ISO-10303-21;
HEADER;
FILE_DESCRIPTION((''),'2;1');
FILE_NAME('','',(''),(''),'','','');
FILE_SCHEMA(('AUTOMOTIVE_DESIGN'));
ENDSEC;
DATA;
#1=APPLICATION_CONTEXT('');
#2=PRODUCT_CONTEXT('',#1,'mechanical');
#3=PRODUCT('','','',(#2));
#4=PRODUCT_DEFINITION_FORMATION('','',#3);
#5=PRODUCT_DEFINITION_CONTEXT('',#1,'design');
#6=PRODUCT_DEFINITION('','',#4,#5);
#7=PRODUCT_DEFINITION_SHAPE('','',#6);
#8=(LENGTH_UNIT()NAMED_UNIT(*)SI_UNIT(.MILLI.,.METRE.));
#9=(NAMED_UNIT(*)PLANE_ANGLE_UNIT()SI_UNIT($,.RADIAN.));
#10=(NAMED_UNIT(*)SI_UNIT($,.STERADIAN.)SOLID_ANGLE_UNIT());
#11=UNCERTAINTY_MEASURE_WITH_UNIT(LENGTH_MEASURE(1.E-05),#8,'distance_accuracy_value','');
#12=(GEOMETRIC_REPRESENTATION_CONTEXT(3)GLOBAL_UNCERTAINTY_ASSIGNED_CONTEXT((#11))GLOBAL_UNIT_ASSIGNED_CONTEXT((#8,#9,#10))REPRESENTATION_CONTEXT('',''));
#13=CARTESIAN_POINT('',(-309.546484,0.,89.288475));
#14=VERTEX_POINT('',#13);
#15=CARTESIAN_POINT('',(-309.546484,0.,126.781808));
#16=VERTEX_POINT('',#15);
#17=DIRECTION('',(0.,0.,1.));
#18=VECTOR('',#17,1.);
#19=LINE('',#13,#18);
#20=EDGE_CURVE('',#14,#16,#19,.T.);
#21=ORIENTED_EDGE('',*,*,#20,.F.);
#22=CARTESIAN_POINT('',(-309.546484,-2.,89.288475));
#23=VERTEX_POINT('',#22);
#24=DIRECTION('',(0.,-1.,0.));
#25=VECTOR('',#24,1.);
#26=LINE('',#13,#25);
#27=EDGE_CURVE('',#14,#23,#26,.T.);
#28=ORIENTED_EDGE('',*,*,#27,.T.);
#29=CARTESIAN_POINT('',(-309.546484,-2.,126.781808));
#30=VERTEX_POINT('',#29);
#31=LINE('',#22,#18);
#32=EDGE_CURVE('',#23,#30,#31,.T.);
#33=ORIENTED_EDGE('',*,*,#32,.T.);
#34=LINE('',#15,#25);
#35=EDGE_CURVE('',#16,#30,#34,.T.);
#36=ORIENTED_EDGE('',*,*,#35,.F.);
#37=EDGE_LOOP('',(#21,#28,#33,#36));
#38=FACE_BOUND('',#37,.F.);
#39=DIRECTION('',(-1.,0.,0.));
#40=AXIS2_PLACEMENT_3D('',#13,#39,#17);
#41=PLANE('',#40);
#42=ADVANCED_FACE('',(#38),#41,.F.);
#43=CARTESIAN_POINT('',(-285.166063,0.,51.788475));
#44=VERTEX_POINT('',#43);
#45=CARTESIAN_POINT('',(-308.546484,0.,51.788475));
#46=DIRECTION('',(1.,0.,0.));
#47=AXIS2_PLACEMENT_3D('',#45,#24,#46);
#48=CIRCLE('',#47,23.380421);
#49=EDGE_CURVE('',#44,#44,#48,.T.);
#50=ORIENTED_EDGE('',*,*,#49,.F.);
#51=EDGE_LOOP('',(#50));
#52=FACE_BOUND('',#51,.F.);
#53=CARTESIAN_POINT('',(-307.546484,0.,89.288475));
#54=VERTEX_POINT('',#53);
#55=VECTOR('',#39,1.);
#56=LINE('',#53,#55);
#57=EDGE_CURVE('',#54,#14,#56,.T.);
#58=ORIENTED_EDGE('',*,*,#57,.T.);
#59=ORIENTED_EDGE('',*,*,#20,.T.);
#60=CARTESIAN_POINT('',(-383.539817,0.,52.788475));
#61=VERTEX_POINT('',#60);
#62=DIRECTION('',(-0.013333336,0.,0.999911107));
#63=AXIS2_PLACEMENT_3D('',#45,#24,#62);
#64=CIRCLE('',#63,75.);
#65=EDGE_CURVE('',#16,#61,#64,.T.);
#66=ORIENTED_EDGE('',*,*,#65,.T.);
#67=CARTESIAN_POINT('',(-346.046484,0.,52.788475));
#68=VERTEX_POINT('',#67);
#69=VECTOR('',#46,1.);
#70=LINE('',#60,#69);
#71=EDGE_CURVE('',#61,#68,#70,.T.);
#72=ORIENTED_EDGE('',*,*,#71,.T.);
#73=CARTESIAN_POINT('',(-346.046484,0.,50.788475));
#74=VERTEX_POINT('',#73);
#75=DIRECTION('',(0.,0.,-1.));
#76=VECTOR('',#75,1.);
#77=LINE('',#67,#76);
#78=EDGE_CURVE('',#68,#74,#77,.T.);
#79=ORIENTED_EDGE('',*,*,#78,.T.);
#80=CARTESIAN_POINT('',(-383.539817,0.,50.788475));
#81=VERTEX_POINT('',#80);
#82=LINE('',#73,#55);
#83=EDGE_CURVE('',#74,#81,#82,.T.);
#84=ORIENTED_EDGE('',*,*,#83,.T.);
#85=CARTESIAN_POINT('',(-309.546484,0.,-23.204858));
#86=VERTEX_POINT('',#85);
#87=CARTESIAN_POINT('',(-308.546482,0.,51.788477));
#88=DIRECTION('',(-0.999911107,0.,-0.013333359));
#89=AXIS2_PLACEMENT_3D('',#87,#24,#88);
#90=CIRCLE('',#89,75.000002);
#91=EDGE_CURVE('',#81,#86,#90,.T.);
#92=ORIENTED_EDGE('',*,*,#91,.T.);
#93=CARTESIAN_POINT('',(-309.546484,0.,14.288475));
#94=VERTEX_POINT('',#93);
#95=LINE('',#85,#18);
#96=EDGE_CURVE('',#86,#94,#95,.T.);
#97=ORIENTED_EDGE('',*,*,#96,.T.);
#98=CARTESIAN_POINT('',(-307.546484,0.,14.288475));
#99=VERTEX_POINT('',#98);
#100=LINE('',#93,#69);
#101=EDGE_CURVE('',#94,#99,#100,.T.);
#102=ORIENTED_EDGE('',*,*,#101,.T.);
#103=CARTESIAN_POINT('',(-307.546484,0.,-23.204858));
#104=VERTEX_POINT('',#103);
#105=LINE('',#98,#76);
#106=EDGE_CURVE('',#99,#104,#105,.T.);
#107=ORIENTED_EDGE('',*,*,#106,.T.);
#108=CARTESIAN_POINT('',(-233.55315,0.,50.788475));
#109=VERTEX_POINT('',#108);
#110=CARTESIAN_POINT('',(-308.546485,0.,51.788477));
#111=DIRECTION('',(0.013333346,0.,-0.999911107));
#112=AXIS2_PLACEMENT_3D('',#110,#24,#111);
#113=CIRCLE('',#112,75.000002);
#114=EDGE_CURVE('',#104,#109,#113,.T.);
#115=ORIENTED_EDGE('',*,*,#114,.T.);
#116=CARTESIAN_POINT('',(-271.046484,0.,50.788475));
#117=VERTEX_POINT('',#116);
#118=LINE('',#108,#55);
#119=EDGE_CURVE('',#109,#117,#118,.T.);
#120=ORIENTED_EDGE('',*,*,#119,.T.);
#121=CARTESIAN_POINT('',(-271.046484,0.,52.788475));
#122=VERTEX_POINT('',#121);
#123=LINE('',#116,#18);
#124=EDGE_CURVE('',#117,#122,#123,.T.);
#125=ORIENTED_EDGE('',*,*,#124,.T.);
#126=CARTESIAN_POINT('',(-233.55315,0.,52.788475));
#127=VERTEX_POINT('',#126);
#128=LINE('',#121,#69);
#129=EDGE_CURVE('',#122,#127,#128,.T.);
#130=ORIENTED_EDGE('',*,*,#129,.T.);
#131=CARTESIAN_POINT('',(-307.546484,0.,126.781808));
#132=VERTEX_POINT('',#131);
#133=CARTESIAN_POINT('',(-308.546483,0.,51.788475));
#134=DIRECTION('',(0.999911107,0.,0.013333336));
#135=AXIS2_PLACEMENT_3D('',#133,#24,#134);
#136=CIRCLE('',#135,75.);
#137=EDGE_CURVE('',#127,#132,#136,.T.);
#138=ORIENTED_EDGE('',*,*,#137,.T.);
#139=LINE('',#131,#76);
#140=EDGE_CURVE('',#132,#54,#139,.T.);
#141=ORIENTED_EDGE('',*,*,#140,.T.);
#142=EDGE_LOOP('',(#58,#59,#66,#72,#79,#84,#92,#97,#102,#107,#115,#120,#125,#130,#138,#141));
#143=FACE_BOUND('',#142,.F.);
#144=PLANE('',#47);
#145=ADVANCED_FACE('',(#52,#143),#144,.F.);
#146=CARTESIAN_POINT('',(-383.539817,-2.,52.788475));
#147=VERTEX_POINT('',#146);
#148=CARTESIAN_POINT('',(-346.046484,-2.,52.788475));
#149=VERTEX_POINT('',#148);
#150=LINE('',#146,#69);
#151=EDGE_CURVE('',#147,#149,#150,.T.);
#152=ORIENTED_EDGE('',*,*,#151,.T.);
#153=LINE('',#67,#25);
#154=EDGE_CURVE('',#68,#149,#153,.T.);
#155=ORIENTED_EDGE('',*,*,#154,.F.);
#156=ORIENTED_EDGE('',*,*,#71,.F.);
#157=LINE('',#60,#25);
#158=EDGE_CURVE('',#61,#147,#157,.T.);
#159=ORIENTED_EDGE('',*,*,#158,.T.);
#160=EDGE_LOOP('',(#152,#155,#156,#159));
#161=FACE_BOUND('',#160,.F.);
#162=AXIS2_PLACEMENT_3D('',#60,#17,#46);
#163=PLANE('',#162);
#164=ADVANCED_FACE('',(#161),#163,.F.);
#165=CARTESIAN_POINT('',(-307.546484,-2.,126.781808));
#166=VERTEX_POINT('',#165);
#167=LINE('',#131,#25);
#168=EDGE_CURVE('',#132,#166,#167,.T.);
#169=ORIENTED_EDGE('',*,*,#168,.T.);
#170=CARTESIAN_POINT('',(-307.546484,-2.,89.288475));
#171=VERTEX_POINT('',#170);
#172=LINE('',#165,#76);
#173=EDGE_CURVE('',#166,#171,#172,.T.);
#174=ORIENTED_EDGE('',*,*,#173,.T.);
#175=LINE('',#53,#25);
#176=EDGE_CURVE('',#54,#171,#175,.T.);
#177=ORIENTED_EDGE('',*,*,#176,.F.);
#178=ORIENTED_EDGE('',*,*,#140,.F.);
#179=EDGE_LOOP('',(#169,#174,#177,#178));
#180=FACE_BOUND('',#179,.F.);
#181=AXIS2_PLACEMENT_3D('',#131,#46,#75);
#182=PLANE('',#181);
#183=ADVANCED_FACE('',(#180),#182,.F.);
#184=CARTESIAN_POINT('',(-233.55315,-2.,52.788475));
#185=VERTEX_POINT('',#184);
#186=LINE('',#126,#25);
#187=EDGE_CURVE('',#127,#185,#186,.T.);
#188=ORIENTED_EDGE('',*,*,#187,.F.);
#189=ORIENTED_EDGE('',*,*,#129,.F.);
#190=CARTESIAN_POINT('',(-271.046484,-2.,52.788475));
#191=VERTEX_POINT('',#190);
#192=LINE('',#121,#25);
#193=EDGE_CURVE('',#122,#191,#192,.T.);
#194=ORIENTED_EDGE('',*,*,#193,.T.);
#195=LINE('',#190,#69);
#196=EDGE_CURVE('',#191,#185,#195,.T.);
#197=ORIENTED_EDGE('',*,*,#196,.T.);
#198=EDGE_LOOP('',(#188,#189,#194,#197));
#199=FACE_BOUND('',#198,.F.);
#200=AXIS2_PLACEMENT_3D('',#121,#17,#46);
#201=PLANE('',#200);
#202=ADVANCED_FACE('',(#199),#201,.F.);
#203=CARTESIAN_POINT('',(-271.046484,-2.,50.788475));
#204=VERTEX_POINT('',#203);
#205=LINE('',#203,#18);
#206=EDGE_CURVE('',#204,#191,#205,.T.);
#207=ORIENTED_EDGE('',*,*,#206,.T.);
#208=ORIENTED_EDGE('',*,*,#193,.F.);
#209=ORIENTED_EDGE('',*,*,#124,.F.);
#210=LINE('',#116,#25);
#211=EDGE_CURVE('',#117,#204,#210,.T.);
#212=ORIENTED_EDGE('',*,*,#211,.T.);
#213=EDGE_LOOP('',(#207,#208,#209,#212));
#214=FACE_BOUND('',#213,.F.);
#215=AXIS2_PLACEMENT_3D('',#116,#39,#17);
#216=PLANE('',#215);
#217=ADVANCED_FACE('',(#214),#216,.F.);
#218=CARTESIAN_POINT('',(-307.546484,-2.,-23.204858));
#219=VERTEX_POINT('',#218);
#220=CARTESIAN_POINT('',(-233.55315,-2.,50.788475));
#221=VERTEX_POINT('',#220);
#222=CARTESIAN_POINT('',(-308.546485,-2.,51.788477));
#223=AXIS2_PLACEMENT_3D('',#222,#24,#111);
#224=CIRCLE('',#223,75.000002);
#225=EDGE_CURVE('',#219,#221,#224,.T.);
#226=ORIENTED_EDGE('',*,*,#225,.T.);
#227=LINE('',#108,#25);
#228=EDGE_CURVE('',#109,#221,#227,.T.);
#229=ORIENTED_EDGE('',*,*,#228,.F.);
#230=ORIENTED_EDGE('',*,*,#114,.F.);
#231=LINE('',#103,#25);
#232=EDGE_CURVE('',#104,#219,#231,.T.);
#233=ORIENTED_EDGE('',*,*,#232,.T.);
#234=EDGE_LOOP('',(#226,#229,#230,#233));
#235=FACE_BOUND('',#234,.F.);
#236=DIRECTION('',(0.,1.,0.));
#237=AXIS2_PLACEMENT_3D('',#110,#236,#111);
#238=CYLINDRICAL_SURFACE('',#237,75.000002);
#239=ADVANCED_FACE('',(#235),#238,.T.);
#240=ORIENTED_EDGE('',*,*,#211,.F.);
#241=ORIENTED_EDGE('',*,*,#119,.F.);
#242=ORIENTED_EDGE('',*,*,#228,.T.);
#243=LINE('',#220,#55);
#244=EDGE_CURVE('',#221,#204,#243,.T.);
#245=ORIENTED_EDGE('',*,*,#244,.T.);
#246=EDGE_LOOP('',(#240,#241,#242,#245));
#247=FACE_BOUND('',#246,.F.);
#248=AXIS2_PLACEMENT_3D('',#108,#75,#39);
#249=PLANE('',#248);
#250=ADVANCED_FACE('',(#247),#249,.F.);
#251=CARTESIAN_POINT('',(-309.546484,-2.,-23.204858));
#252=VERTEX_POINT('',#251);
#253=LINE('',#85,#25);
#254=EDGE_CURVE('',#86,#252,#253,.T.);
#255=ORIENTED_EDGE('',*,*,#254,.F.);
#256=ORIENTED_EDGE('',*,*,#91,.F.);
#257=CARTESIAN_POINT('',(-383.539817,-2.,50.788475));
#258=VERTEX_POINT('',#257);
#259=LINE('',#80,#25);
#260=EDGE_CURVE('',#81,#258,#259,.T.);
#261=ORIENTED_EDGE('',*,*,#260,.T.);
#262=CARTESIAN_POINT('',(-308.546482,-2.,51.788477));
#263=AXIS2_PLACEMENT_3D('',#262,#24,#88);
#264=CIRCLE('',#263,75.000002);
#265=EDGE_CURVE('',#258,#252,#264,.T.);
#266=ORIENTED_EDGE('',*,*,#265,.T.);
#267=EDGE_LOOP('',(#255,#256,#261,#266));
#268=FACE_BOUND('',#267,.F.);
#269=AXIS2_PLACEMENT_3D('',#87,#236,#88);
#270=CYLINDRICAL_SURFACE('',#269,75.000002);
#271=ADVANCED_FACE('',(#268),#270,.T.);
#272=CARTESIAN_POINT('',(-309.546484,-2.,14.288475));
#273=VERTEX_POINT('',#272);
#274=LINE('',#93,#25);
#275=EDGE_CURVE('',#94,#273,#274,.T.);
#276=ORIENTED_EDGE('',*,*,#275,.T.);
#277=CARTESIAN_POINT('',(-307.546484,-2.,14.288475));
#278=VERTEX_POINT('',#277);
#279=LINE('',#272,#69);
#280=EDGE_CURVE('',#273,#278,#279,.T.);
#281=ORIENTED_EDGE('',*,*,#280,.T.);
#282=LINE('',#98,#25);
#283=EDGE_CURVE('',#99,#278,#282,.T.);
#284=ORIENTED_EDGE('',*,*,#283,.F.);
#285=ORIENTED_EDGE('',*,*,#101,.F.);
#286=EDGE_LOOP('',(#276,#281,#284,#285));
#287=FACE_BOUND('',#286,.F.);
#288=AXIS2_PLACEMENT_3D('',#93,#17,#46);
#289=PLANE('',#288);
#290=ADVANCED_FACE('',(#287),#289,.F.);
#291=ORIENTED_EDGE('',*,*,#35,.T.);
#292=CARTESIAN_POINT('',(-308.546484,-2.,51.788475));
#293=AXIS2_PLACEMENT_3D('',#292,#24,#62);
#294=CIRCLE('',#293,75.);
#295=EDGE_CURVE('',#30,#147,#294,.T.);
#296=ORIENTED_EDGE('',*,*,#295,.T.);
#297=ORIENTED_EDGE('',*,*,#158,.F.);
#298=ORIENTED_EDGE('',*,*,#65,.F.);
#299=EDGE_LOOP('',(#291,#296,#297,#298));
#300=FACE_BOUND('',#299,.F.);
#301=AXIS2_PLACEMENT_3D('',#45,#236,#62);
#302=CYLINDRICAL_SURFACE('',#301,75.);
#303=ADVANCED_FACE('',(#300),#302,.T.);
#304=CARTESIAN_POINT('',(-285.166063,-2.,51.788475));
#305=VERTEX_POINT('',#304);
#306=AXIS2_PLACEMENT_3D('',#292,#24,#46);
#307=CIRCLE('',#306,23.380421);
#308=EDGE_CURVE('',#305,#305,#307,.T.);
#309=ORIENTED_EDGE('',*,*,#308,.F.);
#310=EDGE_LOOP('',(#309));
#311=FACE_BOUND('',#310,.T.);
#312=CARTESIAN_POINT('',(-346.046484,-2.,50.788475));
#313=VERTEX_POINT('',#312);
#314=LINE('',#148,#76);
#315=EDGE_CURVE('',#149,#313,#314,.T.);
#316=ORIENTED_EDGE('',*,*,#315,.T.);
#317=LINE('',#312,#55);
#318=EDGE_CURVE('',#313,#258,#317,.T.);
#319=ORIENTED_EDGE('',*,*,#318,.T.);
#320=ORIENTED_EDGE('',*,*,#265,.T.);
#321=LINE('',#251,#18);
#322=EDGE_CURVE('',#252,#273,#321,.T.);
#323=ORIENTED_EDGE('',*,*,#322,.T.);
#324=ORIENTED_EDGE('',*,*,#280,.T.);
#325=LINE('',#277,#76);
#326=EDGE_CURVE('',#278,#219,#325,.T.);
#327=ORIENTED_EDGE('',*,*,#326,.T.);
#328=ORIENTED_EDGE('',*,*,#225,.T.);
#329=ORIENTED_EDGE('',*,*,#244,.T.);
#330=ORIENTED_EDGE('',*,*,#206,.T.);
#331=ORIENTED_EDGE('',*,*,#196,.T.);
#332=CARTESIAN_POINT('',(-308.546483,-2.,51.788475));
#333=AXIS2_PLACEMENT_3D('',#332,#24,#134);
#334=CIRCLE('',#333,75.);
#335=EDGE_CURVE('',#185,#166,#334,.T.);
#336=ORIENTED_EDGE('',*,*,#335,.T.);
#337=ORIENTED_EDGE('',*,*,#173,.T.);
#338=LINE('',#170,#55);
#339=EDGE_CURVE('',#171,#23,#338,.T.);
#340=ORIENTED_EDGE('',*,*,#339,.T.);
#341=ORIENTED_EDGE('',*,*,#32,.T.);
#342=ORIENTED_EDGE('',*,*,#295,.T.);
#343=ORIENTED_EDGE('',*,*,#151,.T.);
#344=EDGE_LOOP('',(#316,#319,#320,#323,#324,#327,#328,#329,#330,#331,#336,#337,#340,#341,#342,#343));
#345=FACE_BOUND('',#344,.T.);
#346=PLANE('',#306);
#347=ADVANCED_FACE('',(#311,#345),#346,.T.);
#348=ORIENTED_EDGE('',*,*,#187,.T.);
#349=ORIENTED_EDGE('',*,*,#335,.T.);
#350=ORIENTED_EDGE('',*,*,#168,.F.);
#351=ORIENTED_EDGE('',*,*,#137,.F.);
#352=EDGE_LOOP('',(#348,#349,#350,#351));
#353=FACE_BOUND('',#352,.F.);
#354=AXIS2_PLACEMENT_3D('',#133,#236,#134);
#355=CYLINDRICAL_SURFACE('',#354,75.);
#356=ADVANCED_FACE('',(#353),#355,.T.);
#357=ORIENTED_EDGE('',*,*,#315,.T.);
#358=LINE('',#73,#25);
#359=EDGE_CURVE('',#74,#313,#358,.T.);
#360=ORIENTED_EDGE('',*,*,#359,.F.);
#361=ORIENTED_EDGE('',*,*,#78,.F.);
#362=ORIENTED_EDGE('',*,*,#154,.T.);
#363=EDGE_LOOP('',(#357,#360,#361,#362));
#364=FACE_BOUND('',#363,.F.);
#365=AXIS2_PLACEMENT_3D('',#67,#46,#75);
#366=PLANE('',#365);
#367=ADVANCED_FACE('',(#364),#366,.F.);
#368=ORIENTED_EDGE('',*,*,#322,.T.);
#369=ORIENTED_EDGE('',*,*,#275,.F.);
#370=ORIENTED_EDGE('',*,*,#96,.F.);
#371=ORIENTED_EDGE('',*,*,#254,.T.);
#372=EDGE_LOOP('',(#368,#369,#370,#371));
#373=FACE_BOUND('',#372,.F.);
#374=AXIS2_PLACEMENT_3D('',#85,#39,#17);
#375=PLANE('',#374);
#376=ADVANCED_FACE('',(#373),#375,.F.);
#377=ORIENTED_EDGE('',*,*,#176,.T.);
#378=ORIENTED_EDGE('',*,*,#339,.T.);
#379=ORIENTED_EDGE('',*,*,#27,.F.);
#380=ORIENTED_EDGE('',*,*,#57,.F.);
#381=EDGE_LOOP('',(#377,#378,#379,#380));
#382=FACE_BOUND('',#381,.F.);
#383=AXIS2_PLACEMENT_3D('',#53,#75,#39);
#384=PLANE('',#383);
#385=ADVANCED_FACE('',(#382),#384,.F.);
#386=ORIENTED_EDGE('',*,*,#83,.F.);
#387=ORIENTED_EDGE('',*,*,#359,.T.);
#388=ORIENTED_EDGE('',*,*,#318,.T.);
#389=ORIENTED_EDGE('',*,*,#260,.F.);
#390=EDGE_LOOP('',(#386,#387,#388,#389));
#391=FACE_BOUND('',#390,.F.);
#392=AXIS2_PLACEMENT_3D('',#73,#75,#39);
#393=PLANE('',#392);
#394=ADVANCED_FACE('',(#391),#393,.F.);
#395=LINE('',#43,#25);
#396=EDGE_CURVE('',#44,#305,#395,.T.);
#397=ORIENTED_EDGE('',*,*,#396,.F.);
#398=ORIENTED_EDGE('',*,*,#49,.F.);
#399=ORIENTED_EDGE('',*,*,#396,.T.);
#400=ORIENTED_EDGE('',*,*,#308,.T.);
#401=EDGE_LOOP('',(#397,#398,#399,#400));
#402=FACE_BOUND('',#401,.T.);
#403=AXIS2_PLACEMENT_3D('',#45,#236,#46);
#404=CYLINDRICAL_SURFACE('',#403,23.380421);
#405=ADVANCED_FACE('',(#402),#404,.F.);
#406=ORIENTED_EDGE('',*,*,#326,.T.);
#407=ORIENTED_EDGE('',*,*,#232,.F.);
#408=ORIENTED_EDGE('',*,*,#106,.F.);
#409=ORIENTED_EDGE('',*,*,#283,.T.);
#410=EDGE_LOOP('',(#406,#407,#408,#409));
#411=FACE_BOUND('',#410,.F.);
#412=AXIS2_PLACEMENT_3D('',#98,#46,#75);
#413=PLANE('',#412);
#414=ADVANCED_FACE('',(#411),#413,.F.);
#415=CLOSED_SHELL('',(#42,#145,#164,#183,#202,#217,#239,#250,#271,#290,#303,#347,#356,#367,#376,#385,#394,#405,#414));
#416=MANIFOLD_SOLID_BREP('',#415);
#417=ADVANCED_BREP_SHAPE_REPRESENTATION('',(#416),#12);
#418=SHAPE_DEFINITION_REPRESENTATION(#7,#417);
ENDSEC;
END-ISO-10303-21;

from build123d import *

# Parameters (mm, degrees)
F0_R     = 23.380421
F1_DEPTH = 2


with BuildPart() as f1:
    # F0 (on Front) → F1 (new body)
    with BuildSketch(Plane.XZ):
        with BuildLine():
            Line((-309.546484, 89.288475), (-309.546484, 126.781808))
            ThreePointArc((-309.546484, 126.781808), (-361.579492, 104.821484), (-383.539817, 52.788475))
            Line((-383.539817, 52.788475), (-346.046484, 52.788475))
            Line((-346.046484, 52.788475), (-346.046484, 51.788475))
            Line((-346.046484, 51.788475), (-346.046484, 50.788475))
            Line((-346.046484, 50.788475), (-383.539817, 50.788475))
            ThreePointArc((-383.539817, 50.788475), (-361.579492, -1.244533), (-309.546484, -23.204858))
            Line((-309.546484, -23.204858), (-309.546484, 14.288475))
            Line((-309.546484, 14.288475), (-307.546484, 14.288475))
            Line((-307.546484, 14.288475), (-307.546484, -23.204858))
            ThreePointArc((-307.546484, -23.204858), (-255.513475, -1.244533), (-233.55315, 50.788475))
            Line((-233.55315, 50.788475), (-271.046484, 50.788475))
            Line((-271.046484, 50.788475), (-271.046484, 51.788475))
            Line((-271.046484, 51.788475), (-271.046484, 52.788475))
            Line((-271.046484, 52.788475), (-233.55315, 52.788475))
            ThreePointArc((-233.55315, 52.788475), (-255.513475, 104.821484), (-307.546484, 126.781808))
            Line((-307.546484, 126.781808), (-307.546484, 89.288475))
            Line((-307.546484, 89.288475), (-309.546484, 89.288475))
        make_face()
        with Locations((-308.546484, 51.788475)):
            Circle(F0_R, mode=Mode.SUBTRACT)
    extrude(amount=F1_DEPTH)


solid = f1.part
